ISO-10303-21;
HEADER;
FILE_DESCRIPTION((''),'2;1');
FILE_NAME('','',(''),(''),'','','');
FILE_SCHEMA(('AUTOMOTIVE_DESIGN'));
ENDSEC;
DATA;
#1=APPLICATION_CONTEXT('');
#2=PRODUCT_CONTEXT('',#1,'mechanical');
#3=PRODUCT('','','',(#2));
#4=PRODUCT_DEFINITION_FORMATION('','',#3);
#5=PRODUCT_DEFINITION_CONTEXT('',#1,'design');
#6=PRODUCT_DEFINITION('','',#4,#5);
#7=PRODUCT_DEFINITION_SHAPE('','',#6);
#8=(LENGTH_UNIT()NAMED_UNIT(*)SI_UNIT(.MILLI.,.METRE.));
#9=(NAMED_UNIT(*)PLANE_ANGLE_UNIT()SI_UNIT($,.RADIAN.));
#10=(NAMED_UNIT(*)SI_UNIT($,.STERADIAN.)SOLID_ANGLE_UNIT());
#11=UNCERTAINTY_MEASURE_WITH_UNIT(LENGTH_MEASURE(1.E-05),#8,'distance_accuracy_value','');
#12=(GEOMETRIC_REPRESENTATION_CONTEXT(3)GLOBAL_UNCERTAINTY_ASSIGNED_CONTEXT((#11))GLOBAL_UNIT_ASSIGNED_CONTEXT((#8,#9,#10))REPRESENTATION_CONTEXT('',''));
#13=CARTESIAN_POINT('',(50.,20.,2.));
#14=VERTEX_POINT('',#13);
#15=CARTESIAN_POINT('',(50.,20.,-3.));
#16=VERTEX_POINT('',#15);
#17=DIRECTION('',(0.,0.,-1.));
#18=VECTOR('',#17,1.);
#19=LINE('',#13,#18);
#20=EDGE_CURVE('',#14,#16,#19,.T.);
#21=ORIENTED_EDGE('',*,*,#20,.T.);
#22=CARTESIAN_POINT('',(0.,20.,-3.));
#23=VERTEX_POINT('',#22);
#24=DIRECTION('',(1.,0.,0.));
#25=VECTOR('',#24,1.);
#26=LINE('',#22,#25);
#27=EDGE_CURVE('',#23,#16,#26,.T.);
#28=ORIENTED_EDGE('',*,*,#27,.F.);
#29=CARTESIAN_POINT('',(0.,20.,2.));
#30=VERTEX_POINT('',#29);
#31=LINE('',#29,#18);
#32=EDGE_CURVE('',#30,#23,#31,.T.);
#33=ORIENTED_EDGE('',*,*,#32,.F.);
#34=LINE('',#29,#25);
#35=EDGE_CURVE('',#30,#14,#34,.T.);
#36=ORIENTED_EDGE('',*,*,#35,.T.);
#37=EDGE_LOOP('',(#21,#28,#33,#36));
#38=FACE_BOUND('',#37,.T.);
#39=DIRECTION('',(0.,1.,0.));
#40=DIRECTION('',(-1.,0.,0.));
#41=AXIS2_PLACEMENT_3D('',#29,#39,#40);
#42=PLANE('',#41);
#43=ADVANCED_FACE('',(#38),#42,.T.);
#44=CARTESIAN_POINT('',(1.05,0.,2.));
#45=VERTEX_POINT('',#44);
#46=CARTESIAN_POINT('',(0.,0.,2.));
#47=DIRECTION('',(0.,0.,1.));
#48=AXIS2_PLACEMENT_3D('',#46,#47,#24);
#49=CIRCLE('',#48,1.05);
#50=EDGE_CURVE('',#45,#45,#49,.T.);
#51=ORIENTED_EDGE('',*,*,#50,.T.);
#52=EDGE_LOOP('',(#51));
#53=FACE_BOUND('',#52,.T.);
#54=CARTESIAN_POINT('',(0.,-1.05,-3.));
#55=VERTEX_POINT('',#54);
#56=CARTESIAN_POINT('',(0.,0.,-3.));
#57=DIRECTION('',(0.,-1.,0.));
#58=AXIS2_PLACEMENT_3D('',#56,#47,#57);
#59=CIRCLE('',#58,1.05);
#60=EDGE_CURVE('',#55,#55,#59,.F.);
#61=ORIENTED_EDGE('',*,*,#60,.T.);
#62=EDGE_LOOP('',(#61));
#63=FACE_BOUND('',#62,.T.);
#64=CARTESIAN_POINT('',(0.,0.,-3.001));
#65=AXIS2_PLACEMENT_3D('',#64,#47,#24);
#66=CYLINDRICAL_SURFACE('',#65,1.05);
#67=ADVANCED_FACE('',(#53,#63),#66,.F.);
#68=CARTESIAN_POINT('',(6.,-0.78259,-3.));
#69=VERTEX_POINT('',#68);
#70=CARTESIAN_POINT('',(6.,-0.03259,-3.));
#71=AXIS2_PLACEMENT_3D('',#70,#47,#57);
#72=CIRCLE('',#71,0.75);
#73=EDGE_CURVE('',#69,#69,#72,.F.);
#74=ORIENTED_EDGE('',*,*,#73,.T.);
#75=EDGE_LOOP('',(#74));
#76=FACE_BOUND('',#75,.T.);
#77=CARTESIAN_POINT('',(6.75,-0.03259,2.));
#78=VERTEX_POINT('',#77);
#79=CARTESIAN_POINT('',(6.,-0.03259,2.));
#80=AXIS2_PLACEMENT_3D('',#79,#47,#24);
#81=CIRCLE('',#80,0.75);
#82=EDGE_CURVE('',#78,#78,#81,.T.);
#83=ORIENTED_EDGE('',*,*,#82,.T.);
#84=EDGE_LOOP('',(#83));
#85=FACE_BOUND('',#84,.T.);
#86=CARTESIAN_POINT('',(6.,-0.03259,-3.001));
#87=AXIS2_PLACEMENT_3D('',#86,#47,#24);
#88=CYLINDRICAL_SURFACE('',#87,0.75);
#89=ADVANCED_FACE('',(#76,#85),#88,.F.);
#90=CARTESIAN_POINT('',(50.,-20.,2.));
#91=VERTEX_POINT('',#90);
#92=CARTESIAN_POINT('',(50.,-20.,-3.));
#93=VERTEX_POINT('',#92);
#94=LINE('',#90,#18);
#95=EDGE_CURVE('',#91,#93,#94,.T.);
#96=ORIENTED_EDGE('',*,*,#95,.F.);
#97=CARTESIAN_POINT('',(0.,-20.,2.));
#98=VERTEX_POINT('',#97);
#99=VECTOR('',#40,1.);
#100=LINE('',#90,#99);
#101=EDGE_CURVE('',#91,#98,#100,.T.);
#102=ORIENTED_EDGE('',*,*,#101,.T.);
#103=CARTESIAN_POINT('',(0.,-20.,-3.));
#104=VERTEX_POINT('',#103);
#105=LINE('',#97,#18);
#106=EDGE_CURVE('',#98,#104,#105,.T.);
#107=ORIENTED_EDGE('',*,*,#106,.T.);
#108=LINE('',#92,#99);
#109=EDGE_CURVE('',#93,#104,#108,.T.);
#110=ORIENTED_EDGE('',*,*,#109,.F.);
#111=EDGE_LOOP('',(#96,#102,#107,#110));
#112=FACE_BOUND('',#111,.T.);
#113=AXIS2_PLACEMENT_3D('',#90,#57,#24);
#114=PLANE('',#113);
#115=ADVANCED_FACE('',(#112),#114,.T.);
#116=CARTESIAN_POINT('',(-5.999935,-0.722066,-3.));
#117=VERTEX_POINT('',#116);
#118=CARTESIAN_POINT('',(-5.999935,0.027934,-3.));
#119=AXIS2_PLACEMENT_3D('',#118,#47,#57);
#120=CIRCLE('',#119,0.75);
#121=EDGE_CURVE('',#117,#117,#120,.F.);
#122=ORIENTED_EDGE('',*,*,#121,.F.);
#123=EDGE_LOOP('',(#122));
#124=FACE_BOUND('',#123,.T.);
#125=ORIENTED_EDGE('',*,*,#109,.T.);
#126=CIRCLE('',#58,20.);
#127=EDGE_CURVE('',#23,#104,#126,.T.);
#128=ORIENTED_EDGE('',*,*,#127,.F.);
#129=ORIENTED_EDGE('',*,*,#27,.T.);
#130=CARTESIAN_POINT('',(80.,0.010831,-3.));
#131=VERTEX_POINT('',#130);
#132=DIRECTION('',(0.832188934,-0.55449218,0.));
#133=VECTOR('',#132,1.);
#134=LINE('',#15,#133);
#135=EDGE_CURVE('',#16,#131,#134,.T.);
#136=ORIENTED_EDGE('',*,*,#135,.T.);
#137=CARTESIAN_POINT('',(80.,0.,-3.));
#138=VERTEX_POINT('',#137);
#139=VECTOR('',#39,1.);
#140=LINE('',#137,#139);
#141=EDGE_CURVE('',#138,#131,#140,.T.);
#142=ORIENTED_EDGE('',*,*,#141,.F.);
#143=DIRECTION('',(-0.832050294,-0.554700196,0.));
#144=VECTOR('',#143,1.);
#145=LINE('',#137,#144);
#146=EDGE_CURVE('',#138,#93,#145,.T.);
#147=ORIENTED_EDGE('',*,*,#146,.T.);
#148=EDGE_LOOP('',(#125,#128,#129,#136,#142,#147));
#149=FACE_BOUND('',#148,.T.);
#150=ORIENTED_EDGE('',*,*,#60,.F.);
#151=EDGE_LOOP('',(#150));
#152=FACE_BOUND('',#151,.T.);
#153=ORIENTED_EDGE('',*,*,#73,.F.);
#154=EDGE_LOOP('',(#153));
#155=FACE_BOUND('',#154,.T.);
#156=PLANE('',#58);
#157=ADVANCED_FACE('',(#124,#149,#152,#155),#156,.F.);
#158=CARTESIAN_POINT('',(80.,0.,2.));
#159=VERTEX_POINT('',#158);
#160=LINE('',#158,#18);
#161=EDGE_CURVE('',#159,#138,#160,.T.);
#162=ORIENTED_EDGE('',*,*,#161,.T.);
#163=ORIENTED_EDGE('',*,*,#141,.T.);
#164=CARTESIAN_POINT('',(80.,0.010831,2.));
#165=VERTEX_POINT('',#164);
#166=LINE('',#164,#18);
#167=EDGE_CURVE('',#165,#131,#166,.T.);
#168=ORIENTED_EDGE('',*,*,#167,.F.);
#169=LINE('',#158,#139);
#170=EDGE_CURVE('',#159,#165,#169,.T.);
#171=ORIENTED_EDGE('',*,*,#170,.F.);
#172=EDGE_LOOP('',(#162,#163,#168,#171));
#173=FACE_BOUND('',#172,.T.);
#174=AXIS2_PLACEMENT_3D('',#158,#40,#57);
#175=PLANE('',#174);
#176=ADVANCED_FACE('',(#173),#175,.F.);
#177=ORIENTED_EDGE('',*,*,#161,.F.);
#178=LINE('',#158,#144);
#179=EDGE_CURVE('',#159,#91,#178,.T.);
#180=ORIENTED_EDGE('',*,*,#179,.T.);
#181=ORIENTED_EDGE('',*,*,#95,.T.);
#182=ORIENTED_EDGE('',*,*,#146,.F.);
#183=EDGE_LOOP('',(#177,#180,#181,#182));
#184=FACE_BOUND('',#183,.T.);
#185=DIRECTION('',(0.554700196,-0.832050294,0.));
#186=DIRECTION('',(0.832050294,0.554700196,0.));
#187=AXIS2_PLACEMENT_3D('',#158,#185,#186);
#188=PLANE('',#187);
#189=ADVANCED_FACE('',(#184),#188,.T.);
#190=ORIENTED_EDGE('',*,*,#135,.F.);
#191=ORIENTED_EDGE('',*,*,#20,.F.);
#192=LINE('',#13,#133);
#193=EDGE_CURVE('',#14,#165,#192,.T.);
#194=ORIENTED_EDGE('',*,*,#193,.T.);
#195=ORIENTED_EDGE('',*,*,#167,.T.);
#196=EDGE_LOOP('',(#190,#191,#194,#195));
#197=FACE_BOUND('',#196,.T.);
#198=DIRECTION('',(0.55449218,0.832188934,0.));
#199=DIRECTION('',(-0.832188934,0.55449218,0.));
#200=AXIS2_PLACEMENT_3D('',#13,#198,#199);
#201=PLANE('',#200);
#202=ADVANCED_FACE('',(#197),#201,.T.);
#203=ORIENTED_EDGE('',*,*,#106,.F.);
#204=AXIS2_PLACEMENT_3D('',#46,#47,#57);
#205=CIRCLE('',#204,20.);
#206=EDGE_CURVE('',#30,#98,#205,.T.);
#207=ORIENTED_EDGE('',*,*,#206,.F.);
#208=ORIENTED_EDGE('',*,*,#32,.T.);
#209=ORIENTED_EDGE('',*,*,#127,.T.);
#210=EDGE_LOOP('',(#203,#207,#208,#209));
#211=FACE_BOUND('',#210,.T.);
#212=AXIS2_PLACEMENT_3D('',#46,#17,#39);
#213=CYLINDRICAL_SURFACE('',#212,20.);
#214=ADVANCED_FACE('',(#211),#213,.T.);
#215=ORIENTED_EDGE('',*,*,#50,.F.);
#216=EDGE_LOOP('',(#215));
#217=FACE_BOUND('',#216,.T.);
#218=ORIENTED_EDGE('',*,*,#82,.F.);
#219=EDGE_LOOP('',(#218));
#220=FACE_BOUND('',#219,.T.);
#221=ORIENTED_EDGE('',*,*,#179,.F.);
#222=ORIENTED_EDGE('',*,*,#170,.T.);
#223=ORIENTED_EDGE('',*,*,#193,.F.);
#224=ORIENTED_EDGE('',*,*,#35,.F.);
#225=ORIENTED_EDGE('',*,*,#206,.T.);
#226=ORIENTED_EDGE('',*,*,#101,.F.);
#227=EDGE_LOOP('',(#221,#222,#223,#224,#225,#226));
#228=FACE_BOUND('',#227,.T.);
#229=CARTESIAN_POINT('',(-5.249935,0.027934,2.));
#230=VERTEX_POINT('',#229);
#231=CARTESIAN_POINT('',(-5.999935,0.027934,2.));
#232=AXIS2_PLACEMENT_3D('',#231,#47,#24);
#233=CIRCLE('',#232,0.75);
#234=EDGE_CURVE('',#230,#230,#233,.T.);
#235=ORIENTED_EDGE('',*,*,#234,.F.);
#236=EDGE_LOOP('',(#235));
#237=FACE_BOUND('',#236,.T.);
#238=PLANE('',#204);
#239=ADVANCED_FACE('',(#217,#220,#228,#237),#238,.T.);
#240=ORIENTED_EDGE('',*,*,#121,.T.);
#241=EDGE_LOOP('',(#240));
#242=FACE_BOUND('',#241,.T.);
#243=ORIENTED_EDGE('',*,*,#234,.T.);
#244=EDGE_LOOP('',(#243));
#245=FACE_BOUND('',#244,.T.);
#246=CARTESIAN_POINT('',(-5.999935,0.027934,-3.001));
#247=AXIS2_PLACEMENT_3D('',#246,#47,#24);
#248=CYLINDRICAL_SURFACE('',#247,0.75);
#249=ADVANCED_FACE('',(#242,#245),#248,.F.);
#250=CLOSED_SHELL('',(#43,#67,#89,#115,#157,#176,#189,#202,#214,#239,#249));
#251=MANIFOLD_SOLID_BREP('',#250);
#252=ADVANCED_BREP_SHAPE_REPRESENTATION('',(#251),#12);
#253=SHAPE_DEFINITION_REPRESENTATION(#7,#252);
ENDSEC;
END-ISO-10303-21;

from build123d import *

# Parameters (mm, degrees)
BOSS_EXTRUDE1_DEPTH   = 5
BODY_MOVE_COPY1_ANGLE = 90
CUT_EXTRUDE2_REACH    = 84.614
SKETCH8_R             = 1.05
SKETCH8_R_2           = 0.75


with BuildPart() as part:
    # Sketch1 → Boss-Extrude1 (new body)
    with BuildSketch(Plane(origin=(0, 0, 0), x_dir=(1, 0, 0), z_dir=(0, 1, 0))):
        with BuildLine():
            Line((50, -20), (0, -20))
            ThreePointArc((0, -20), (-20, 0), (0, 20))
            Line((0, 20), (50, 20))
            Line((50, 20), (80, 0.010830805))
            Line((80, 0.010830805), (80, 0))
            Line((80, 0), (50, -20))
        make_face()
    extrude(amount=BOSS_EXTRUDE1_DEPTH)


with BuildPart() as part_1:
    # Body-Move/Copy1: moved
    add(part.part.rotate(Axis((0, 0, 0), (1, 0, 0)), BODY_MOVE_COPY1_ANGLE))

    # Sketch8 → Cut-Extrude2 (cut, up to next)
    with BuildSketch(Plane.XY.offset(5), mode=Mode.PRIVATE) as cut_extrude2_sk1:
        Circle(SKETCH8_R)
    cut_extrude2_tool1 = extrude(cut_extrude2_sk1.sketch, amount=-CUT_EXTRUDE2_REACH, mode=Mode.PRIVATE) & part_1.part
    # Sketch8 → Cut-Extrude2 (cut, up to next)
    with BuildSketch(Plane.XY.offset(5), mode=Mode.PRIVATE) as cut_extrude2_sk2:
        with Locations((6, -0.032589943)):
            Circle(SKETCH8_R_2)
    cut_extrude2_tool2 = extrude(cut_extrude2_sk2.sketch, amount=-CUT_EXTRUDE2_REACH, mode=Mode.PRIVATE) & part_1.part
    # Sketch8 → Cut-Extrude2 (cut, up to next)
    with BuildSketch(Plane.XY.offset(5), mode=Mode.PRIVATE) as cut_extrude2_sk3:
        with Locations((-5.999934973, 0.027934237)):
            Circle(SKETCH8_R_2)
    cut_extrude2_tool3 = extrude(cut_extrude2_sk3.sketch, amount=-CUT_EXTRUDE2_REACH, mode=Mode.PRIVATE) & part_1.part
    add(cut_extrude2_tool1.solids().sort_by_distance((0, 0, 5))[0], mode=Mode.SUBTRACT)
    add(cut_extrude2_tool2.solids().sort_by_distance((6, -0.03259, 5))[0], mode=Mode.SUBTRACT)
    add(cut_extrude2_tool3.solids().sort_by_distance((-5.999935, 0.027934, 5))[0], mode=Mode.SUBTRACT)


with BuildPart() as part_2:
    # Body-Move/Copy4: moved
    add(part_1.part.moved(Location((0, 0, -3))))


solid = part_2.part
